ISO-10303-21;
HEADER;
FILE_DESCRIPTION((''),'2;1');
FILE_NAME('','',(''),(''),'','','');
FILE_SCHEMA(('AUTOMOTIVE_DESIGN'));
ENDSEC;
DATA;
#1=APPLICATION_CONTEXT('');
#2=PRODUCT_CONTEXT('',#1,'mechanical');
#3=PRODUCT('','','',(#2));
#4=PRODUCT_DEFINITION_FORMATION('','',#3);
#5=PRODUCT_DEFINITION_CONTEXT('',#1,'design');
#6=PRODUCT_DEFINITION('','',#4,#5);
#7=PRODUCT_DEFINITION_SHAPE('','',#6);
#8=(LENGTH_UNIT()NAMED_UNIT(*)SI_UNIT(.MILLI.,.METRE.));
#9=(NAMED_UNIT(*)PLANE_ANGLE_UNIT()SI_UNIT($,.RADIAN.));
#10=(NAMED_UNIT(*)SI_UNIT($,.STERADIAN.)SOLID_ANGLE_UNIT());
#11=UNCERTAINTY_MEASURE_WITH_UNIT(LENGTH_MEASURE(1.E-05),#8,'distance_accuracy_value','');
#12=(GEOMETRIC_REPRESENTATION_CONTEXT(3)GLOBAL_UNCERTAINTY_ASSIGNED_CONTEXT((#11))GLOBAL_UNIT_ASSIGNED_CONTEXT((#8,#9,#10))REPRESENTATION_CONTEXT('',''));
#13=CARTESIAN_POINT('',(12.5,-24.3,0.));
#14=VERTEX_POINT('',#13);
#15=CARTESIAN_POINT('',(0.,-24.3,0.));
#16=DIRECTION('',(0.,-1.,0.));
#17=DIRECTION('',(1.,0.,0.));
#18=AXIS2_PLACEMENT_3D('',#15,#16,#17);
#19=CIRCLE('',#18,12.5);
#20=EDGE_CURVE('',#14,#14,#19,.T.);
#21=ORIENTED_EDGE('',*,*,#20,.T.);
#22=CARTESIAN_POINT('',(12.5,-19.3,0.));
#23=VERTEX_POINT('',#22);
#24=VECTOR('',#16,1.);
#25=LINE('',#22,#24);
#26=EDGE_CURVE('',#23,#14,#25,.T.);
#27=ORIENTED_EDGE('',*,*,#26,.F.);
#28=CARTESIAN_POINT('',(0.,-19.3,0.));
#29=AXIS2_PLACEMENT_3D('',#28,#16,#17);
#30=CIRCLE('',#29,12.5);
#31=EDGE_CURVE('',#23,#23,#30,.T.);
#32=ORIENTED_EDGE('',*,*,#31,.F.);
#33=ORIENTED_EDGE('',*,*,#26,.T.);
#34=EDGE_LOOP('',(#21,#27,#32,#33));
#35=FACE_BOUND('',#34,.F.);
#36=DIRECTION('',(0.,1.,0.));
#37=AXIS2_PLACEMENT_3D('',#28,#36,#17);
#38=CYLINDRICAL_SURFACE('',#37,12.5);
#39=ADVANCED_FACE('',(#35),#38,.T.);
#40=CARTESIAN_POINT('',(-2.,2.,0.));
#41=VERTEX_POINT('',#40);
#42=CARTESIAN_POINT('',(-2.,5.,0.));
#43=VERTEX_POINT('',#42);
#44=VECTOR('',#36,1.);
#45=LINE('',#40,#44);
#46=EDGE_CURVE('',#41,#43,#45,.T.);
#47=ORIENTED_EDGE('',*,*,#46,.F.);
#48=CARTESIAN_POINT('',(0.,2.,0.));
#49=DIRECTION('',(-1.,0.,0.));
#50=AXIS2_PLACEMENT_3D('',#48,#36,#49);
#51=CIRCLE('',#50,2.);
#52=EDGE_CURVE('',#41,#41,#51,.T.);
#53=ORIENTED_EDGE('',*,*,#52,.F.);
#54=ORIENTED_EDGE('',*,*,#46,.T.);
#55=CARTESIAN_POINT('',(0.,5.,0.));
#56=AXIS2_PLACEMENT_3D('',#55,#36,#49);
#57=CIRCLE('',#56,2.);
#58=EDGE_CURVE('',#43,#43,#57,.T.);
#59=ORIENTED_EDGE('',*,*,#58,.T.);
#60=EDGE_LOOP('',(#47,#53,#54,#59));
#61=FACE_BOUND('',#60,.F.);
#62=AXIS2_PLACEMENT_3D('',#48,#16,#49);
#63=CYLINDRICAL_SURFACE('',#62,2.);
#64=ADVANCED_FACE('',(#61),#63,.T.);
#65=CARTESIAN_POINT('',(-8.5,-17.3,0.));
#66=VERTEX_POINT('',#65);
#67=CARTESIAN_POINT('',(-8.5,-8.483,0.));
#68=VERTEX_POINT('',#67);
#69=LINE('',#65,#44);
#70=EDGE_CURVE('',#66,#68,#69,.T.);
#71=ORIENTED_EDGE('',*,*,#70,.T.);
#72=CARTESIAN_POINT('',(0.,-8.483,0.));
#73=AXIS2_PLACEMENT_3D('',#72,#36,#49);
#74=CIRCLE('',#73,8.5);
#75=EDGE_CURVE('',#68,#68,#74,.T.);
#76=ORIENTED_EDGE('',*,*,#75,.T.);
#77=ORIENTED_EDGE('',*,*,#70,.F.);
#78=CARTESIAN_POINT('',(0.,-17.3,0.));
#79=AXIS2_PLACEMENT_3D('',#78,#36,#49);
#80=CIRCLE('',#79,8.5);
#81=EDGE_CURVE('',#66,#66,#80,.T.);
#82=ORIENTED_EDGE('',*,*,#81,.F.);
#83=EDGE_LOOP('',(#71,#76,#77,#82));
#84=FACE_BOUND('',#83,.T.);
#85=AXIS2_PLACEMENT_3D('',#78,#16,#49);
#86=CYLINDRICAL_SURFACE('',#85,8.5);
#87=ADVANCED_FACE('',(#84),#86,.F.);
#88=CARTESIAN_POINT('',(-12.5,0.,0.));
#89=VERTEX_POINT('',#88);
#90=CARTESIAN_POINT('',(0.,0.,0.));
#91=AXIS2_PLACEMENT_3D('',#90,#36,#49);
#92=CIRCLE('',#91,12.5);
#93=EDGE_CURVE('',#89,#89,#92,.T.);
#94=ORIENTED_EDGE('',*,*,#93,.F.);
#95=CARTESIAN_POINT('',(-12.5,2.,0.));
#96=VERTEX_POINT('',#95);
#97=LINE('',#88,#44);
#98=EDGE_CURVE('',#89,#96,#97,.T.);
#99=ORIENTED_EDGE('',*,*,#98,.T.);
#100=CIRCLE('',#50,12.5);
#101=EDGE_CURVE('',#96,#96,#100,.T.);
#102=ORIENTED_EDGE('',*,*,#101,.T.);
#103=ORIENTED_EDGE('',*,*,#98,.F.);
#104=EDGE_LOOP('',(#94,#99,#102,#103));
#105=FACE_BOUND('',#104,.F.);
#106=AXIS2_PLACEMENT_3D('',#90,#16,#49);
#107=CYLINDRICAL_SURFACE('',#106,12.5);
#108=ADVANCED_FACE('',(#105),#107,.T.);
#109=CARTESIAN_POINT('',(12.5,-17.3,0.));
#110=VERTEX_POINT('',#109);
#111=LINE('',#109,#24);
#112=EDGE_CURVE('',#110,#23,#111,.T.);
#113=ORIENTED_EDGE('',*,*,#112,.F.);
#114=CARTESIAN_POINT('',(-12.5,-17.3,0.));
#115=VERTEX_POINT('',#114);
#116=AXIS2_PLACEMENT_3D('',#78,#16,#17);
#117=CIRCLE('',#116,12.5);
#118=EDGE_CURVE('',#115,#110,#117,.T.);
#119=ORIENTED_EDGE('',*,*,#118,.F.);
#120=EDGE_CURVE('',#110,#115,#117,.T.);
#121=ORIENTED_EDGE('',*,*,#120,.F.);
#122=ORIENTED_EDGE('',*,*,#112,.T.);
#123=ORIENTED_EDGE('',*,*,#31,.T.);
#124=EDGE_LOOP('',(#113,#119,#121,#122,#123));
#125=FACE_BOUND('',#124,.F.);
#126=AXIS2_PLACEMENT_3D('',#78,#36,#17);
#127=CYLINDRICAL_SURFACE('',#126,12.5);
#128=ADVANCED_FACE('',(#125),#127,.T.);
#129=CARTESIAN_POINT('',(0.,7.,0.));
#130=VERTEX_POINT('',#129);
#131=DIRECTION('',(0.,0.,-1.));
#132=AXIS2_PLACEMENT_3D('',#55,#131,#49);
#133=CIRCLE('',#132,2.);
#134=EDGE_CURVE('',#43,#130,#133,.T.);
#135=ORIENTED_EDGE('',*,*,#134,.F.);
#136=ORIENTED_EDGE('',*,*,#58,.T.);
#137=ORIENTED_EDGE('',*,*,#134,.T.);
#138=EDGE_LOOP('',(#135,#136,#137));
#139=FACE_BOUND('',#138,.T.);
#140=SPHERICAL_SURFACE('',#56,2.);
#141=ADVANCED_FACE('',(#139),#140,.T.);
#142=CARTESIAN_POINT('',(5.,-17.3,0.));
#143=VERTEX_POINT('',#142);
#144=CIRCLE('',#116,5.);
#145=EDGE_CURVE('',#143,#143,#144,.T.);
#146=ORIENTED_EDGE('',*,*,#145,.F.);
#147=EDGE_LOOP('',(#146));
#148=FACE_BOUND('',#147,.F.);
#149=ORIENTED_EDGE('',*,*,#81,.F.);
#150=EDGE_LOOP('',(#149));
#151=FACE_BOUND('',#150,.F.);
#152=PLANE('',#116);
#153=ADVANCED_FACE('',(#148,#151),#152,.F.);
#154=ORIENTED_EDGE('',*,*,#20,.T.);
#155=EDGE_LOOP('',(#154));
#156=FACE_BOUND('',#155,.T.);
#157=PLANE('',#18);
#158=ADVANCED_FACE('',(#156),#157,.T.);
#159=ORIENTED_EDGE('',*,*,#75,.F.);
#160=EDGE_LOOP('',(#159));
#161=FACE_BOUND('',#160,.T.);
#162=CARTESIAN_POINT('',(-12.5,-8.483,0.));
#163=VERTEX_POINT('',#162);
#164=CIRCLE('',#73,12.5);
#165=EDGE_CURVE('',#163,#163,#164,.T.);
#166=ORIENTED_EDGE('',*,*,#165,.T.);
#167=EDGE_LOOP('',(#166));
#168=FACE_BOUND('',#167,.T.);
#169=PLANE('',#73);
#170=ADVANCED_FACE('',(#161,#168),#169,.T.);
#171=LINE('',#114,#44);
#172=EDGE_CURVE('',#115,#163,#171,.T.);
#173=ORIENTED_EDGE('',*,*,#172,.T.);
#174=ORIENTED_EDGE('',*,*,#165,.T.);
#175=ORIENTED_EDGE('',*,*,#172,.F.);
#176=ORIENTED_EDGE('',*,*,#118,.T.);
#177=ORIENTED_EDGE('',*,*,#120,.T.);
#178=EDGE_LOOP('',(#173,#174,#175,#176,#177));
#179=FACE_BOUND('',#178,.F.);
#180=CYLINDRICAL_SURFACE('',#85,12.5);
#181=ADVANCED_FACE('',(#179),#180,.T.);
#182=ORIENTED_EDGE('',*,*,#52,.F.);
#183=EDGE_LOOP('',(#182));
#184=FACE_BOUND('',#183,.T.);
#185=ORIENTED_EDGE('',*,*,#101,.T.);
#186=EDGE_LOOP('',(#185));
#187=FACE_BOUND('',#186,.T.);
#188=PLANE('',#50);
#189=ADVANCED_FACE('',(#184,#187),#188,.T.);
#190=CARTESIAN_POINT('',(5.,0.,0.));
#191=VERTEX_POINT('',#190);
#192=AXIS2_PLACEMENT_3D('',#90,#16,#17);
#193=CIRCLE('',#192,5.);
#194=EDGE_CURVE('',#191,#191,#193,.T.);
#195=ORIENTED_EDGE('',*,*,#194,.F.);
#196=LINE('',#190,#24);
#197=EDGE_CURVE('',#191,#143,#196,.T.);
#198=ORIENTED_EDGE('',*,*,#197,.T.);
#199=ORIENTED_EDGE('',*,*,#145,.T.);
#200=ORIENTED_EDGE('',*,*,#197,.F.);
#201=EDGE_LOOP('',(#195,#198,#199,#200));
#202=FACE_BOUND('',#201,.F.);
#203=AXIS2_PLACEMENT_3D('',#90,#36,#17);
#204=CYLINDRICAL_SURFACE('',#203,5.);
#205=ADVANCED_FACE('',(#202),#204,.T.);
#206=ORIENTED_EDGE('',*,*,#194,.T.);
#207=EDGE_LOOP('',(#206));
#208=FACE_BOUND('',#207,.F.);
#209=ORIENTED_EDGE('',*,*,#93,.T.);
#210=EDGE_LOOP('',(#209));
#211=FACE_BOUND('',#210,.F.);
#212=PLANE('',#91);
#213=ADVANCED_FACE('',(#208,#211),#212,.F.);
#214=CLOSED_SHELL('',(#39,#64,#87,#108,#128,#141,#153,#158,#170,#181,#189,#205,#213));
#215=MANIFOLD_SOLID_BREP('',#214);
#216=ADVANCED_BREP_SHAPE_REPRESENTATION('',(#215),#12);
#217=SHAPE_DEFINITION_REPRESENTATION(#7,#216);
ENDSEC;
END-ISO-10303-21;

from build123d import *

# Parameters (mm, degrees)
F0_R      = 5
F1_DEPTH  = 17.3
F2_R      = 12.5
F3_DEPTH  = 2
F4_R      = 12.5
F4_R_2    = 8.5
F5_DEPTH  = 8.817
F6_R      = 12.5
F7_DEPTH  = 2
F8_R      = 2
F9_DEPTH  = 5
F10_R     = 2
F11_R     = 12.5
F12_DEPTH = 5


with BuildPart() as f1:
    # F0 (on Front) → F1 (new body)
    with BuildSketch(Plane.XZ):
        Circle(F0_R)
    extrude(amount=F1_DEPTH)

    # F2 (on face) → F3 (join)
    with BuildSketch(Plane.XZ.offset(17.3)):
        Circle(F2_R)
    extrude(amount=F3_DEPTH)

    # F4 (on face) → F5 (join)
    with BuildSketch(Plane(origin=(0, -17.3, 0), x_dir=(-1, 0, 0), z_dir=(0, 1, 0))):
        Circle(F4_R)
        Circle(F4_R_2, mode=Mode.SUBTRACT)
    extrude(amount=F5_DEPTH)

    # F6 (on face) → F7 (join)
    with BuildSketch(Plane(origin=(0, 0, 0), x_dir=(-1, 0, 0), z_dir=(0, 1, 0))):
        Circle(F6_R)
    extrude(amount=F7_DEPTH)

    # F8 (on face) → F9 (join)
    with BuildSketch(Plane(origin=(0, 2, 0), x_dir=(-1, 0, 0), z_dir=(0, 1, 0))):
        Circle(F8_R)
    extrude(amount=F9_DEPTH)

    # F10
    f10_edges = [f1.edges().sort_by_distance(p)[0] for p in [
        (2, 7, 0),
    ]]
    fillet(f10_edges, radius=F10_R)

    # F11 (on face) → F12 (join)
    with BuildSketch(Plane.XZ.offset(19.3)):
        Circle(F11_R)
    extrude(amount=F12_DEPTH)


solid = f1.part
